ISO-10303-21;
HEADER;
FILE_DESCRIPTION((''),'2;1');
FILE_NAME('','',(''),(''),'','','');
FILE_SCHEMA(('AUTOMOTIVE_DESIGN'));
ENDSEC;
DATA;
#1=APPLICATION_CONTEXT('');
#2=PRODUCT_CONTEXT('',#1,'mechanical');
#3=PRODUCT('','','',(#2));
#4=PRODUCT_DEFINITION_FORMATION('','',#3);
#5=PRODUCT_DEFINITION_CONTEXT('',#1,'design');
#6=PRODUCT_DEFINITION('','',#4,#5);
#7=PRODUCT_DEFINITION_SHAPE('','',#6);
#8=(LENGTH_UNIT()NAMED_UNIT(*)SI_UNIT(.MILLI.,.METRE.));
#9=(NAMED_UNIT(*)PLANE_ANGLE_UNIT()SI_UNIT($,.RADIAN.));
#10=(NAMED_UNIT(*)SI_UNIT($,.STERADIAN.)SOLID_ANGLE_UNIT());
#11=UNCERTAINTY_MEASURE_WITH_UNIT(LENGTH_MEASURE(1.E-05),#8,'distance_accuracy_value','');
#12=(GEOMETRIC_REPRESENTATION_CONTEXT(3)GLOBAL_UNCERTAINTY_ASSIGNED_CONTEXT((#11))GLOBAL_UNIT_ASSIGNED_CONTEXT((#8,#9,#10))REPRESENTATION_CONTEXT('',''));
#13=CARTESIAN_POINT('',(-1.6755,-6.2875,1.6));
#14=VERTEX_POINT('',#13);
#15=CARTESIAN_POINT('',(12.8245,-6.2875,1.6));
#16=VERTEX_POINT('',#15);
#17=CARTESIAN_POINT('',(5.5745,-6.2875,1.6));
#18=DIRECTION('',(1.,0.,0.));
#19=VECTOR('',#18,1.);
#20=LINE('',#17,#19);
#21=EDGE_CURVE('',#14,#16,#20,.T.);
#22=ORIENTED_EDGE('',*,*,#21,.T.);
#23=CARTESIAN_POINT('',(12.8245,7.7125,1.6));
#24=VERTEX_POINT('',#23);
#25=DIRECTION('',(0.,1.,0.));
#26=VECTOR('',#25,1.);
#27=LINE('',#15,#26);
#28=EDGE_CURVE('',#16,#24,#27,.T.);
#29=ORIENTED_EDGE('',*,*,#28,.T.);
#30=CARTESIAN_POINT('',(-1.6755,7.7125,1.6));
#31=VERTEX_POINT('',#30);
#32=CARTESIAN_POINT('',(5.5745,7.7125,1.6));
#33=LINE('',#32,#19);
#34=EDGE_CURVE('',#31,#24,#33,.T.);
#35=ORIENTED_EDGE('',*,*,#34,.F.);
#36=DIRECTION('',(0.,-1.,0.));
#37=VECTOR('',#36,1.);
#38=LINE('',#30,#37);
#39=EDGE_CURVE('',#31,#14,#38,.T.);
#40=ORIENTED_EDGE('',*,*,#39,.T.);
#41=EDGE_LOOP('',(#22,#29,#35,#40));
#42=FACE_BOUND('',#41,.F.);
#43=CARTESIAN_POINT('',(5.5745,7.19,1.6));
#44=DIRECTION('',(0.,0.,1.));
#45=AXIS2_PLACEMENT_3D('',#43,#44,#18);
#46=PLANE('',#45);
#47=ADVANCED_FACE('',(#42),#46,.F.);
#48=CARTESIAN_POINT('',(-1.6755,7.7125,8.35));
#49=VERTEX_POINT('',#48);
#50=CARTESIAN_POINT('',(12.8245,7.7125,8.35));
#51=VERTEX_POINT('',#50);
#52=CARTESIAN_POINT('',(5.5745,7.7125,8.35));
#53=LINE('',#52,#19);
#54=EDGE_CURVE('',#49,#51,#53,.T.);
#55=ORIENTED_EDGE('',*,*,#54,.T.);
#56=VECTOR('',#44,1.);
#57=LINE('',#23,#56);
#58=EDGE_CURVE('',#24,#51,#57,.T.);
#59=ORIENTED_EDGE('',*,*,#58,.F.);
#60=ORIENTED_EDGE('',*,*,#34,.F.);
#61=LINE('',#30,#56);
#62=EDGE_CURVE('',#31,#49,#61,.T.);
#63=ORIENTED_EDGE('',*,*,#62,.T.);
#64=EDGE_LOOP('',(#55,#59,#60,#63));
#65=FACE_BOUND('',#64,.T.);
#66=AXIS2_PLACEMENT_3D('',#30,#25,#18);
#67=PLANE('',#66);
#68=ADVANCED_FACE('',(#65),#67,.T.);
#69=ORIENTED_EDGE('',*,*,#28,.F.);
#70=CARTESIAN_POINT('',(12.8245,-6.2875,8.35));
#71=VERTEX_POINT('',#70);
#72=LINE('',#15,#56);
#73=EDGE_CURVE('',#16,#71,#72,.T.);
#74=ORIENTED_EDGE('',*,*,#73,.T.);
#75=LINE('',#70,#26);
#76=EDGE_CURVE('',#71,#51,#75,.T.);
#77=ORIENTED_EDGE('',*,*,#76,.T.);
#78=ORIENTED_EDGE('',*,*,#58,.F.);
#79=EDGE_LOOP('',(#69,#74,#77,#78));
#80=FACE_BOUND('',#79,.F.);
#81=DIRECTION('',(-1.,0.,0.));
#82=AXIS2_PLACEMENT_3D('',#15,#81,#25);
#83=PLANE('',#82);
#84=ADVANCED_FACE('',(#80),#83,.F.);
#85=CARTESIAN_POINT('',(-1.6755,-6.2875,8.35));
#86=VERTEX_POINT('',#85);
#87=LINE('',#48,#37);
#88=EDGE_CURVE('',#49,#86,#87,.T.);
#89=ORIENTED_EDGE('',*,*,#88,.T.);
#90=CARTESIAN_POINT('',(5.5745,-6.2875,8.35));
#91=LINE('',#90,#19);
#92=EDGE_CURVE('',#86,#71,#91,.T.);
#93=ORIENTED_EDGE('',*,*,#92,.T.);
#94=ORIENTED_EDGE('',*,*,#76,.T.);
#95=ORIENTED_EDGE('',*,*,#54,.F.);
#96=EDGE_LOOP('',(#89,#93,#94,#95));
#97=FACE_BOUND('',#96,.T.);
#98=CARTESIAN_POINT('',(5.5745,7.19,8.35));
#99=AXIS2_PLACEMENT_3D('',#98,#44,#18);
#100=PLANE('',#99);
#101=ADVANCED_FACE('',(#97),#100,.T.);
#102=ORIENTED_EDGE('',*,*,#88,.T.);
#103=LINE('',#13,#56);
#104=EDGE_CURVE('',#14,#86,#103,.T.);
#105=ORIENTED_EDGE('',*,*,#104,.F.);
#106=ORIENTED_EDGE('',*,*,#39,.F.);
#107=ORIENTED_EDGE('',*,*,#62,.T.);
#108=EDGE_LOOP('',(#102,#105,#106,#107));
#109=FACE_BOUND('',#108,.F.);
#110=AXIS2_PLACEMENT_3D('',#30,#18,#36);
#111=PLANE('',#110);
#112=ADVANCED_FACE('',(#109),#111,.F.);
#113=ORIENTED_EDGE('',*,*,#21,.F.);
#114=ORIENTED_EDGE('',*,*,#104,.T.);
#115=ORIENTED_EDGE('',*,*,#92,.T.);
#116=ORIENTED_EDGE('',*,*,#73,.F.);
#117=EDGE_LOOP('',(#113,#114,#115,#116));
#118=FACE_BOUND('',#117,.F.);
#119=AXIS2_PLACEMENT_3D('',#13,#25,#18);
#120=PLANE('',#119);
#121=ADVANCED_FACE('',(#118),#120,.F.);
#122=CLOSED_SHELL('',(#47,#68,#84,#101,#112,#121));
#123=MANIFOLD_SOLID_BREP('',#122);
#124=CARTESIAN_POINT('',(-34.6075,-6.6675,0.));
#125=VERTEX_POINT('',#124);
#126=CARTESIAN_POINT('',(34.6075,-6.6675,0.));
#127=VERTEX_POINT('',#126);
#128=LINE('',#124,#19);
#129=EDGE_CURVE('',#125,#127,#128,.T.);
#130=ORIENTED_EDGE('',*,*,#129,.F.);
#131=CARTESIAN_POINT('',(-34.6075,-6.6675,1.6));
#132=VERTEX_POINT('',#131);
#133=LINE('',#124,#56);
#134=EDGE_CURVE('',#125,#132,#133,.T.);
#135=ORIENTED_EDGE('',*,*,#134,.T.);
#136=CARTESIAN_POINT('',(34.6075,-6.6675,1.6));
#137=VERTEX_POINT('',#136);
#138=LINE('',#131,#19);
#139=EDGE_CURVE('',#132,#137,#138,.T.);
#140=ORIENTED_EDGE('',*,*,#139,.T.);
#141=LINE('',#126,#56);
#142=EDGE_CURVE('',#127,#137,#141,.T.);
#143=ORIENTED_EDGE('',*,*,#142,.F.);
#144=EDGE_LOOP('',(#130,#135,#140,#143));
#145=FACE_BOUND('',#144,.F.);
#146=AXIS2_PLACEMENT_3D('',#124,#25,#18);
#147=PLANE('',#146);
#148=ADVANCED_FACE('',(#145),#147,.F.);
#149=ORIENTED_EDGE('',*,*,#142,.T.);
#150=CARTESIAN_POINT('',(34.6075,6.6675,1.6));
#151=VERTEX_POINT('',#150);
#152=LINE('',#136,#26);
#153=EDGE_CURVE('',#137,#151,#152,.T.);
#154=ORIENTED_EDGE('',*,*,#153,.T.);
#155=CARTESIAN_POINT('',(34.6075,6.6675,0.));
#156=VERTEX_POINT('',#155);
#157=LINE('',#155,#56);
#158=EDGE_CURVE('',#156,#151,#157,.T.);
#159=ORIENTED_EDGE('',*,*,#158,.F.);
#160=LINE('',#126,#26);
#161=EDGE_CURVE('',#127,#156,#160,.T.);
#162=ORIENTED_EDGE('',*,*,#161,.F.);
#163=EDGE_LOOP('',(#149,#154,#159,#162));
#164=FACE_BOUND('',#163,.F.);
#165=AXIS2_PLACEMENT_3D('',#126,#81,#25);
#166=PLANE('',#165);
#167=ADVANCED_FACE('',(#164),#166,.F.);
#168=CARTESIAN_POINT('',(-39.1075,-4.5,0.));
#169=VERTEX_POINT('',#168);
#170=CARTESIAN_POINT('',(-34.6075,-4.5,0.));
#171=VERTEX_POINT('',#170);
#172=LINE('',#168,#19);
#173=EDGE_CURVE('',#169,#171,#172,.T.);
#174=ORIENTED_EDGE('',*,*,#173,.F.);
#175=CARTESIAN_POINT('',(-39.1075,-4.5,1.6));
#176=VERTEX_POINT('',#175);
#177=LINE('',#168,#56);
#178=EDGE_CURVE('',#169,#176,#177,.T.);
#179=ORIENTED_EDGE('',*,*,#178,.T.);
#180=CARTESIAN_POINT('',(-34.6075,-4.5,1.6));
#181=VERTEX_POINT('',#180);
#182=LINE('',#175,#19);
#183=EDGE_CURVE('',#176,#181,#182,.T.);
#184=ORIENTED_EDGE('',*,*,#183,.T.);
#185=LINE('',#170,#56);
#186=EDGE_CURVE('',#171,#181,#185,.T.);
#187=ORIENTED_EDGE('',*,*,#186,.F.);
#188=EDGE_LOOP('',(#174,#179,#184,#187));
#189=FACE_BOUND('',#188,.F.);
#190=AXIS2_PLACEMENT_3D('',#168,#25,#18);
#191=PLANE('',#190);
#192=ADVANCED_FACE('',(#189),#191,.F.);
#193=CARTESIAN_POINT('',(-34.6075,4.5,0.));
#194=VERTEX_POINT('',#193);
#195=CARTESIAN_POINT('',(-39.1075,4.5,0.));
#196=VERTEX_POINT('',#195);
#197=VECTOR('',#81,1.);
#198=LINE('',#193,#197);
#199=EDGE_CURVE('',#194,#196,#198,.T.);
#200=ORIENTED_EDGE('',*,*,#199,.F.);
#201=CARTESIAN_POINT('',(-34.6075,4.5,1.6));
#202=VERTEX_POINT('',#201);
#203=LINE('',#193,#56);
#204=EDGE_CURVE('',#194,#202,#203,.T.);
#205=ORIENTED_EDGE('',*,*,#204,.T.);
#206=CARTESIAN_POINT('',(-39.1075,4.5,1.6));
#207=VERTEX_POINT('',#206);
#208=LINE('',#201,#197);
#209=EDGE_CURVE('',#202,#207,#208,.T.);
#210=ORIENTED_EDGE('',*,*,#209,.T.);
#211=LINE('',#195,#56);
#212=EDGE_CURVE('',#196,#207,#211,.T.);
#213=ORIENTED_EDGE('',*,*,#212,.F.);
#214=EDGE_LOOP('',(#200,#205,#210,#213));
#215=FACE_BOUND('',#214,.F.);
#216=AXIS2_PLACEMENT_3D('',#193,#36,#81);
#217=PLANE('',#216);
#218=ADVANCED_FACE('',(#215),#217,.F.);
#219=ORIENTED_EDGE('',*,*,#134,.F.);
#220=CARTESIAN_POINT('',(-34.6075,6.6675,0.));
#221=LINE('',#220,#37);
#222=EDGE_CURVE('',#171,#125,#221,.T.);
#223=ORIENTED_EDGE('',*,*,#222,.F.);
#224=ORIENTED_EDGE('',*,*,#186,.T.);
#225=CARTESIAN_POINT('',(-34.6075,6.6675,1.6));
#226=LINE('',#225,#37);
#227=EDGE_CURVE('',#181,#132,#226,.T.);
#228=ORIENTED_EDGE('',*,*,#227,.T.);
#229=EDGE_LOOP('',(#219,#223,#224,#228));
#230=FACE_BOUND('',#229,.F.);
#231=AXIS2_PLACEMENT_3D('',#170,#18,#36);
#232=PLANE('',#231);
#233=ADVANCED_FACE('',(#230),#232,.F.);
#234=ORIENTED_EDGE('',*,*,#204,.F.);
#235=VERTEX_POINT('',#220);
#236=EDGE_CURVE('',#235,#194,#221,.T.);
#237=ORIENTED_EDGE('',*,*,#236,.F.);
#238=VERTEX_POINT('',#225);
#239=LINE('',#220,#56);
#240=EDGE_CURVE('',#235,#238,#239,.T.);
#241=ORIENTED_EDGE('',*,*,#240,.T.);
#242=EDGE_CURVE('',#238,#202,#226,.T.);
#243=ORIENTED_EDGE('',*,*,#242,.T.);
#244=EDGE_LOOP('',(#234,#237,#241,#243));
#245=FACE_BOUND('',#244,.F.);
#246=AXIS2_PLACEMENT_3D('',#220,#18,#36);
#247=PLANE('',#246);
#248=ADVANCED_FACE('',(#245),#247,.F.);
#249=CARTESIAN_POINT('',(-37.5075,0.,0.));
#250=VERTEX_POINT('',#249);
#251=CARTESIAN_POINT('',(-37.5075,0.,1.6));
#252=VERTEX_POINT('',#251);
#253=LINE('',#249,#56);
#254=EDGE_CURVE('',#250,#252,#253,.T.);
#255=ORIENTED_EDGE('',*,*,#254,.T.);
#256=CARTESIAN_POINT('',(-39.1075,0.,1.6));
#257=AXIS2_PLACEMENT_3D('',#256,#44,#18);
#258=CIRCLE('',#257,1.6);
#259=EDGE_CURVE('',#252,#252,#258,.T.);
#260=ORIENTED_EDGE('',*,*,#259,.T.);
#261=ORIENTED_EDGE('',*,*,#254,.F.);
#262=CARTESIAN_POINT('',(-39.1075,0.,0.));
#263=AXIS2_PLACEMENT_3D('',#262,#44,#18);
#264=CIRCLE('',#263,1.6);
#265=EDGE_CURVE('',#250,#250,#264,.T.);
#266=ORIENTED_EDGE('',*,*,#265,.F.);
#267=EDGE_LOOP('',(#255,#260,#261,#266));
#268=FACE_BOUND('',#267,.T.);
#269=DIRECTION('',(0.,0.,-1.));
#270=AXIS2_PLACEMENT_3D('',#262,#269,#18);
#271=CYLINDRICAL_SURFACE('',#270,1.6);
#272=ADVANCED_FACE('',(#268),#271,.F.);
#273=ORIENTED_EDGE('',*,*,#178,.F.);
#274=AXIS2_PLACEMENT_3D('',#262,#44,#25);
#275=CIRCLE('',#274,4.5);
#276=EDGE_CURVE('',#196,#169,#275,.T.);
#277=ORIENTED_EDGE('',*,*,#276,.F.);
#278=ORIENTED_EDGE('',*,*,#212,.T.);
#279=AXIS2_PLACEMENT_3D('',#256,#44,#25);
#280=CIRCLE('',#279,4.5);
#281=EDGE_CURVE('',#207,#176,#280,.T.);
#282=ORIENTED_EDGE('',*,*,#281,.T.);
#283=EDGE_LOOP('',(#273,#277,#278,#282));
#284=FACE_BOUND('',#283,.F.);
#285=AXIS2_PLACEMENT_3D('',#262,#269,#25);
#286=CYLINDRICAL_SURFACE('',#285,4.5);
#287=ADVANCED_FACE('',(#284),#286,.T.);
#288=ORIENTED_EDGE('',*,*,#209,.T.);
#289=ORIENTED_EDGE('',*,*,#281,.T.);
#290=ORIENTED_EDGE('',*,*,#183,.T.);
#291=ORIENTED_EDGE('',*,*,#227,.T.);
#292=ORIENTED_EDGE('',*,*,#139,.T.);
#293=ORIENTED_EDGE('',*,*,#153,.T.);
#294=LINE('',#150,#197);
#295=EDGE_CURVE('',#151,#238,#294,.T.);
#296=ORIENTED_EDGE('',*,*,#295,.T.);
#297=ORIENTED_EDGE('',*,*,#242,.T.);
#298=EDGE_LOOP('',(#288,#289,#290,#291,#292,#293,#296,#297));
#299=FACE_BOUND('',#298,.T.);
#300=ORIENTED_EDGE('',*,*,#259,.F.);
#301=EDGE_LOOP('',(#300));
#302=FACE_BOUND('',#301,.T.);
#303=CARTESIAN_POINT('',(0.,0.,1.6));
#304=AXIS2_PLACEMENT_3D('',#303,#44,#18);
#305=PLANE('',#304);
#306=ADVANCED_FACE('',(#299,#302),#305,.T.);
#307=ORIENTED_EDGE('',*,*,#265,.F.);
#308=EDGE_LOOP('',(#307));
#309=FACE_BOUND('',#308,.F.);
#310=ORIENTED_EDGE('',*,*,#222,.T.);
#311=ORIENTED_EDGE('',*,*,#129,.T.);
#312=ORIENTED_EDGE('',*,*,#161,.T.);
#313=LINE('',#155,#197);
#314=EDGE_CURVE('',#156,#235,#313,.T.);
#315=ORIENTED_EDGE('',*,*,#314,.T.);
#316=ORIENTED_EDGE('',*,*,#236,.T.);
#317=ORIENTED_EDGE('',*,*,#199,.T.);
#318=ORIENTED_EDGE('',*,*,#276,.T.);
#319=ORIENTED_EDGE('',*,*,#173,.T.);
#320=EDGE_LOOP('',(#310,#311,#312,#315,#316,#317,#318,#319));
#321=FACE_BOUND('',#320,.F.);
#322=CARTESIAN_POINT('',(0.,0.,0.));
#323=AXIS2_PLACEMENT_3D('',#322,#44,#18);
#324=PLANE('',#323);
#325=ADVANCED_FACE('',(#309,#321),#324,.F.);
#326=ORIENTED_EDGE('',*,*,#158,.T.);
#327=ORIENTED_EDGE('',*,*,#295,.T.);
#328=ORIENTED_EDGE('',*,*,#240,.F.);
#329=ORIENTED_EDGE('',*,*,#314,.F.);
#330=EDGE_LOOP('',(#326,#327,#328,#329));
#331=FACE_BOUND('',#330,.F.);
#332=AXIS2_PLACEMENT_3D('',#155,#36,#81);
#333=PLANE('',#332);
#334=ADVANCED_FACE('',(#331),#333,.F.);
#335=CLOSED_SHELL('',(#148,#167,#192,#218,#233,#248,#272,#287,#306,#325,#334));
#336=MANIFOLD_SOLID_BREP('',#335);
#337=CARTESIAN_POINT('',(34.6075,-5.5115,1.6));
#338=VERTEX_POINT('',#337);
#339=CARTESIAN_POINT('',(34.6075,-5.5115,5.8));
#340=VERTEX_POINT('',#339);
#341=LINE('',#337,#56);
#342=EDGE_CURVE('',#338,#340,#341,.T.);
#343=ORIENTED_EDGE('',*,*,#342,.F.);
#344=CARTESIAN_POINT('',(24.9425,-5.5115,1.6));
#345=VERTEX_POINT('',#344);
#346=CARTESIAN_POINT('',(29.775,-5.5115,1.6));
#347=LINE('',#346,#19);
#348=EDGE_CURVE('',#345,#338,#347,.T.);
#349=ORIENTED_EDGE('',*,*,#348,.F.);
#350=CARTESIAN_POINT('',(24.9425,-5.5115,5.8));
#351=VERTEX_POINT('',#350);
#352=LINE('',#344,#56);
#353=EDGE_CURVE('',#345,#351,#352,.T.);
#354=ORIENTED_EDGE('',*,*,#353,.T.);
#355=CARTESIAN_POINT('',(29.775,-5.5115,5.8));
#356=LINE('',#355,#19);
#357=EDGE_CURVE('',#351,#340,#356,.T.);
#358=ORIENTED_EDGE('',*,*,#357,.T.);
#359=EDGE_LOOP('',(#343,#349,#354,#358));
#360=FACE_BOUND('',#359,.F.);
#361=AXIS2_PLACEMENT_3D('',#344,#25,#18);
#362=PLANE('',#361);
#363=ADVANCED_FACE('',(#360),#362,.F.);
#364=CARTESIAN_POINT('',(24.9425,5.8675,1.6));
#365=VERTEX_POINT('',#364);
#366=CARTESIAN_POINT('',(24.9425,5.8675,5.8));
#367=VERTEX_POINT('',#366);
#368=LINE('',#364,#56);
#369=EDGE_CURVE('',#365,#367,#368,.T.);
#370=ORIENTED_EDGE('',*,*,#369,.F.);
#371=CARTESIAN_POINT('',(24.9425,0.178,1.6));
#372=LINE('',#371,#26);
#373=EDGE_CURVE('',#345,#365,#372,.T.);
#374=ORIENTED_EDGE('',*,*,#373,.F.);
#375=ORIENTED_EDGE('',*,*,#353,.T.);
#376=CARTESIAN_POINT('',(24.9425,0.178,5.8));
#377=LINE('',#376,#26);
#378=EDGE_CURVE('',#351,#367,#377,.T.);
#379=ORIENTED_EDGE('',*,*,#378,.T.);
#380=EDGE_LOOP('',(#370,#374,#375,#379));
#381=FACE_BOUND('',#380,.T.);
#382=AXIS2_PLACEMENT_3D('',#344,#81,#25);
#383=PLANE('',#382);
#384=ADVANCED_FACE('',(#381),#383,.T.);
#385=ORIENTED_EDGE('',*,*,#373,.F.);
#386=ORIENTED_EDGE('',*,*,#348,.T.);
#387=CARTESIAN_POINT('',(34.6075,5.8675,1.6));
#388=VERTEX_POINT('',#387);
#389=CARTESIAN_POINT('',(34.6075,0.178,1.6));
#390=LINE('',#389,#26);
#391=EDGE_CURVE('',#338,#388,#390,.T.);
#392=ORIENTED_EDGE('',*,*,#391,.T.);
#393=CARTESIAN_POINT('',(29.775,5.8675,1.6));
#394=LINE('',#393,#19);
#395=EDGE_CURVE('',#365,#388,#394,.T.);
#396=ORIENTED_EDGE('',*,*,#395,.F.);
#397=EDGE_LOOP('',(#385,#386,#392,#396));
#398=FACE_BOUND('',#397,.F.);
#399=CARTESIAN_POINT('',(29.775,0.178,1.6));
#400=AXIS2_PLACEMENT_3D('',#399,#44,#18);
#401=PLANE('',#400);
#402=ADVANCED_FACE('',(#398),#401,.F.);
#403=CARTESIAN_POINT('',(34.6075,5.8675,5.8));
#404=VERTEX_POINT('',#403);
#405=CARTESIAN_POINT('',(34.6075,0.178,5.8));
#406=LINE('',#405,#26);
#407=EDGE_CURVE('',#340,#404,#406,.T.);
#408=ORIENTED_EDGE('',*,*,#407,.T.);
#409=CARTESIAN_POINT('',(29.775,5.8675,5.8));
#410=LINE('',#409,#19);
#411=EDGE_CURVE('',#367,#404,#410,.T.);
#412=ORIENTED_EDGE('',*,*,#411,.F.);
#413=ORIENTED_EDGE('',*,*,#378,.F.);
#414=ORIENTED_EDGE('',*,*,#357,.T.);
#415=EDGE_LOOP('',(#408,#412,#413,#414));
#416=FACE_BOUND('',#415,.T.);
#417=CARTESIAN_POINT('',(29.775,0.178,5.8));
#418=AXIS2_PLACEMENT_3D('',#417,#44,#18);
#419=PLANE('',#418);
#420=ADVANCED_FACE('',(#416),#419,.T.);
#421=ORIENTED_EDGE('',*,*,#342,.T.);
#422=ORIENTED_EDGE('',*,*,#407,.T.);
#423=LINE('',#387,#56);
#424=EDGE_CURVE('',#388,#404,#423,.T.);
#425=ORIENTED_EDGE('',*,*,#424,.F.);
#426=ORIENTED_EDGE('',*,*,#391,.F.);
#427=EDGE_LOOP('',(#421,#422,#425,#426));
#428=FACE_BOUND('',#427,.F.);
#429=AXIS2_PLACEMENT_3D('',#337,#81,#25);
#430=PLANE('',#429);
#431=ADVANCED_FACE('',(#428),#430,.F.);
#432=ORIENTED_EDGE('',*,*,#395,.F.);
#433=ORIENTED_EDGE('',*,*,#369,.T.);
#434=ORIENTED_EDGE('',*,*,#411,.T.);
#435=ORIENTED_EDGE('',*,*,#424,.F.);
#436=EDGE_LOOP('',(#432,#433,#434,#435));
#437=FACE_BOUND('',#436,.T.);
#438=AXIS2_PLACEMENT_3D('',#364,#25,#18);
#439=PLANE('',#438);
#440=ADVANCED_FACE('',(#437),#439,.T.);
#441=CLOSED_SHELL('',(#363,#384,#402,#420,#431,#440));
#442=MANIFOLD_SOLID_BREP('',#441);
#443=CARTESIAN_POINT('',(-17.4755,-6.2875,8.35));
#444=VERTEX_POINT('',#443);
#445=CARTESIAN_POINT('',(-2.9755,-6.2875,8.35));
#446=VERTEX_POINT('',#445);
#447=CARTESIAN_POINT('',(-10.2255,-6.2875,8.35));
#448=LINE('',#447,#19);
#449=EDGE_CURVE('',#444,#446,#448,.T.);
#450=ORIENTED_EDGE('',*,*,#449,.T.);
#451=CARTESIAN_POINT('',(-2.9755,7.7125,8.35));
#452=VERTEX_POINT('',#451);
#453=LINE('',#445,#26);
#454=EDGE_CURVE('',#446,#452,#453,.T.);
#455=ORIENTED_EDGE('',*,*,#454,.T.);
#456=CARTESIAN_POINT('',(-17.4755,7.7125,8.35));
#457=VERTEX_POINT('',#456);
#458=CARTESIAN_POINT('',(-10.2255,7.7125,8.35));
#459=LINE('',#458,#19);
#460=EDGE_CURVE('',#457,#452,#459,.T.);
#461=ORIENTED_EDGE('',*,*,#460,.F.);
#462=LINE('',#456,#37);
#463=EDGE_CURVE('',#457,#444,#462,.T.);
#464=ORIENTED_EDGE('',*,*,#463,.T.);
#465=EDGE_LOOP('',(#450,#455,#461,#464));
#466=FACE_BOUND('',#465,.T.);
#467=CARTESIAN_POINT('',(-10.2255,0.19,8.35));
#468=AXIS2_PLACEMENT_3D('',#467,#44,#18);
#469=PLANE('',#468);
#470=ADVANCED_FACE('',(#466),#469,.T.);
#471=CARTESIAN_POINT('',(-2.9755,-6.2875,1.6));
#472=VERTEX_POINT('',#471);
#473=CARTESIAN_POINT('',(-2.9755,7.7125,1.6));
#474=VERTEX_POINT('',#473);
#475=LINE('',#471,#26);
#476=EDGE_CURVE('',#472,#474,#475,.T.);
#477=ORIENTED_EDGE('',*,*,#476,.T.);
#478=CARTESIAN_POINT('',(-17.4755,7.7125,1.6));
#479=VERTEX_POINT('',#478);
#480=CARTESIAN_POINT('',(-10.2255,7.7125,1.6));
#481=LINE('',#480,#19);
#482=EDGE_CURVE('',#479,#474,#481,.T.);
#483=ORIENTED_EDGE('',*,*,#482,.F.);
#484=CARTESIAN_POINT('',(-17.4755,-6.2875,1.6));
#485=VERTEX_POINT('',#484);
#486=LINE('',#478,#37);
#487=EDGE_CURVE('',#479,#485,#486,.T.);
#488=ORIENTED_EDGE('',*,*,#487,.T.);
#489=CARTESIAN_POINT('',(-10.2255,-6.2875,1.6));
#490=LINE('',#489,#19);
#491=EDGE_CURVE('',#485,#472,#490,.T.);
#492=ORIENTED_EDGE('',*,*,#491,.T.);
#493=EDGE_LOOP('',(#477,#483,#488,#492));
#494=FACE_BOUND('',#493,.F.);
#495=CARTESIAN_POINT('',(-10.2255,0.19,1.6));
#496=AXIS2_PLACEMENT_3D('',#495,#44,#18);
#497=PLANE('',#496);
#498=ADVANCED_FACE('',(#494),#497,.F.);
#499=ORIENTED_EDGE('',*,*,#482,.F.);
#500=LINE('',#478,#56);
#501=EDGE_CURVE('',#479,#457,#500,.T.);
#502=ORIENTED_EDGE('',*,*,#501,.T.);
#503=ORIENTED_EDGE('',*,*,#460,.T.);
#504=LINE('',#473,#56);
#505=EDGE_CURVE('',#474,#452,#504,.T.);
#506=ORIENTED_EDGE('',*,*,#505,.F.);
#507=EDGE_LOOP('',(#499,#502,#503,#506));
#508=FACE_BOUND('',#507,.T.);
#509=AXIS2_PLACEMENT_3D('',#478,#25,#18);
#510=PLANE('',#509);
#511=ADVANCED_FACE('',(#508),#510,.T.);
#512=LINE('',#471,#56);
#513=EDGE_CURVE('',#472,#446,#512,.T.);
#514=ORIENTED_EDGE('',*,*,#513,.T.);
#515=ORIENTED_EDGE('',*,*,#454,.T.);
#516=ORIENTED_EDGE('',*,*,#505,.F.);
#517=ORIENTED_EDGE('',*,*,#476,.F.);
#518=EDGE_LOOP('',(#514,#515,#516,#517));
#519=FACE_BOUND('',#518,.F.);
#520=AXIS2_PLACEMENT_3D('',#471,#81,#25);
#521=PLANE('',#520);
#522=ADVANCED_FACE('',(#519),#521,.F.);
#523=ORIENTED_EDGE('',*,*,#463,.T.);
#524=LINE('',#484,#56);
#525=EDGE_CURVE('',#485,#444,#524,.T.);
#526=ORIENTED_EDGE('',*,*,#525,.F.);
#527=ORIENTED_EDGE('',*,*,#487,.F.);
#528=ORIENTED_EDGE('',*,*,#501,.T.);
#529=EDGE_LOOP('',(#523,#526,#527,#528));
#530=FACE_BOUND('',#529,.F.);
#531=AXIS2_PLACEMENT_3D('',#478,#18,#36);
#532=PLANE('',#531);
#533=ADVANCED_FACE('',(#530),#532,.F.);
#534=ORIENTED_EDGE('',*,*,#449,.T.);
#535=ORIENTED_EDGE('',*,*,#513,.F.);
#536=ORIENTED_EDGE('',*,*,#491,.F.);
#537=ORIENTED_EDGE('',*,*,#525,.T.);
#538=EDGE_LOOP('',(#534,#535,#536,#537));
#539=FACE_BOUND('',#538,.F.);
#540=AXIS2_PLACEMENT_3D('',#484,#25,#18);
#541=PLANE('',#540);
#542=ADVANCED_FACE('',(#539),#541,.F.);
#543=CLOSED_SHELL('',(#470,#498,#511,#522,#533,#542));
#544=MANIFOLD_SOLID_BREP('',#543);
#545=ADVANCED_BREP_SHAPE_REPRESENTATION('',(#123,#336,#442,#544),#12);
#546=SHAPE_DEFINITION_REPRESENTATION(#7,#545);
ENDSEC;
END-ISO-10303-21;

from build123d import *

# Parameters (mm, degrees)
F0_R     = 1.6
F1_DEPTH = 1.6
F2_W     = 14.5
F2_H     = 12.955
F2_H_2   = 1.045
F3_DEPTH = 6.75
F4_W     = 9.665
F4_H     = 11.379
F5_DEPTH = 4.2


with BuildPart() as f1:
    # F0 (on Top) → F1 (new body)
    with BuildSketch(Plane.XY):
        Polygon((34.6075, 6.6675), (-34.6075, 6.6675), (-34.6075, 4.5), (-34.6075, 0), (-34.6075, -4.5), (-34.6075, -6.6675), (34.6075, -6.6675), align=None)
        with BuildLine():
            Line((-34.6075, 0), (-34.6075, 4.5))
            Line((-34.6075, 4.5), (-39.1075, 4.5))
            ThreePointArc((-39.1075, 4.5), (-35.925519, 3.181981), (-34.6075, 0))
        make_face()
        with BuildLine():
            ThreePointArc((-39.1075, -4.5), (-35.925519, -3.181981), (-34.6075, 0))
            ThreePointArc((-34.6075, 0), (-35.925519, 3.181981), (-39.1075, 4.5))
            ThreePointArc((-39.1075, 4.5), (-43.6075, 0), (-39.1075, -4.5))
        make_face()
        with Locations((-39.1075, 0)):
            Circle(F0_R, mode=Mode.SUBTRACT)
        with BuildLine():
            Line((-34.6075, -4.5), (-34.6075, 0))
            ThreePointArc((-34.6075, 0), (-35.925519, -3.181981), (-39.1075, -4.5))
            Line((-39.1075, -4.5), (-34.6075, -4.5))
        make_face()
    extrude(amount=F1_DEPTH)


with BuildPart() as f3:
    # F2 (on face) → F3 (new body)
    with BuildSketch(Plane.XY.offset(1.6)):
        with Locations((-10.2255, 0.19)):
            Rectangle(F2_W, F2_H)
        with Locations((-10.2255, 7.19)):
            Rectangle(F2_W, F2_H_2)
        with Locations((5.5745, 7.19)):
            Rectangle(F2_W, F2_H_2)
        with Locations((5.5745, 0.19)):
            Rectangle(F2_W, F2_H)
    extrude(amount=F3_DEPTH)


with BuildPart() as f5:
    # F4 (on face) → F5 (new body)
    with BuildSketch(Plane.XY.offset(1.6)):
        with Locations((29.775, 0.178)):
            Rectangle(F4_W, F4_H)
    extrude(amount=F5_DEPTH)


solid = Compound([f1.part, f3.part, f5.part])
